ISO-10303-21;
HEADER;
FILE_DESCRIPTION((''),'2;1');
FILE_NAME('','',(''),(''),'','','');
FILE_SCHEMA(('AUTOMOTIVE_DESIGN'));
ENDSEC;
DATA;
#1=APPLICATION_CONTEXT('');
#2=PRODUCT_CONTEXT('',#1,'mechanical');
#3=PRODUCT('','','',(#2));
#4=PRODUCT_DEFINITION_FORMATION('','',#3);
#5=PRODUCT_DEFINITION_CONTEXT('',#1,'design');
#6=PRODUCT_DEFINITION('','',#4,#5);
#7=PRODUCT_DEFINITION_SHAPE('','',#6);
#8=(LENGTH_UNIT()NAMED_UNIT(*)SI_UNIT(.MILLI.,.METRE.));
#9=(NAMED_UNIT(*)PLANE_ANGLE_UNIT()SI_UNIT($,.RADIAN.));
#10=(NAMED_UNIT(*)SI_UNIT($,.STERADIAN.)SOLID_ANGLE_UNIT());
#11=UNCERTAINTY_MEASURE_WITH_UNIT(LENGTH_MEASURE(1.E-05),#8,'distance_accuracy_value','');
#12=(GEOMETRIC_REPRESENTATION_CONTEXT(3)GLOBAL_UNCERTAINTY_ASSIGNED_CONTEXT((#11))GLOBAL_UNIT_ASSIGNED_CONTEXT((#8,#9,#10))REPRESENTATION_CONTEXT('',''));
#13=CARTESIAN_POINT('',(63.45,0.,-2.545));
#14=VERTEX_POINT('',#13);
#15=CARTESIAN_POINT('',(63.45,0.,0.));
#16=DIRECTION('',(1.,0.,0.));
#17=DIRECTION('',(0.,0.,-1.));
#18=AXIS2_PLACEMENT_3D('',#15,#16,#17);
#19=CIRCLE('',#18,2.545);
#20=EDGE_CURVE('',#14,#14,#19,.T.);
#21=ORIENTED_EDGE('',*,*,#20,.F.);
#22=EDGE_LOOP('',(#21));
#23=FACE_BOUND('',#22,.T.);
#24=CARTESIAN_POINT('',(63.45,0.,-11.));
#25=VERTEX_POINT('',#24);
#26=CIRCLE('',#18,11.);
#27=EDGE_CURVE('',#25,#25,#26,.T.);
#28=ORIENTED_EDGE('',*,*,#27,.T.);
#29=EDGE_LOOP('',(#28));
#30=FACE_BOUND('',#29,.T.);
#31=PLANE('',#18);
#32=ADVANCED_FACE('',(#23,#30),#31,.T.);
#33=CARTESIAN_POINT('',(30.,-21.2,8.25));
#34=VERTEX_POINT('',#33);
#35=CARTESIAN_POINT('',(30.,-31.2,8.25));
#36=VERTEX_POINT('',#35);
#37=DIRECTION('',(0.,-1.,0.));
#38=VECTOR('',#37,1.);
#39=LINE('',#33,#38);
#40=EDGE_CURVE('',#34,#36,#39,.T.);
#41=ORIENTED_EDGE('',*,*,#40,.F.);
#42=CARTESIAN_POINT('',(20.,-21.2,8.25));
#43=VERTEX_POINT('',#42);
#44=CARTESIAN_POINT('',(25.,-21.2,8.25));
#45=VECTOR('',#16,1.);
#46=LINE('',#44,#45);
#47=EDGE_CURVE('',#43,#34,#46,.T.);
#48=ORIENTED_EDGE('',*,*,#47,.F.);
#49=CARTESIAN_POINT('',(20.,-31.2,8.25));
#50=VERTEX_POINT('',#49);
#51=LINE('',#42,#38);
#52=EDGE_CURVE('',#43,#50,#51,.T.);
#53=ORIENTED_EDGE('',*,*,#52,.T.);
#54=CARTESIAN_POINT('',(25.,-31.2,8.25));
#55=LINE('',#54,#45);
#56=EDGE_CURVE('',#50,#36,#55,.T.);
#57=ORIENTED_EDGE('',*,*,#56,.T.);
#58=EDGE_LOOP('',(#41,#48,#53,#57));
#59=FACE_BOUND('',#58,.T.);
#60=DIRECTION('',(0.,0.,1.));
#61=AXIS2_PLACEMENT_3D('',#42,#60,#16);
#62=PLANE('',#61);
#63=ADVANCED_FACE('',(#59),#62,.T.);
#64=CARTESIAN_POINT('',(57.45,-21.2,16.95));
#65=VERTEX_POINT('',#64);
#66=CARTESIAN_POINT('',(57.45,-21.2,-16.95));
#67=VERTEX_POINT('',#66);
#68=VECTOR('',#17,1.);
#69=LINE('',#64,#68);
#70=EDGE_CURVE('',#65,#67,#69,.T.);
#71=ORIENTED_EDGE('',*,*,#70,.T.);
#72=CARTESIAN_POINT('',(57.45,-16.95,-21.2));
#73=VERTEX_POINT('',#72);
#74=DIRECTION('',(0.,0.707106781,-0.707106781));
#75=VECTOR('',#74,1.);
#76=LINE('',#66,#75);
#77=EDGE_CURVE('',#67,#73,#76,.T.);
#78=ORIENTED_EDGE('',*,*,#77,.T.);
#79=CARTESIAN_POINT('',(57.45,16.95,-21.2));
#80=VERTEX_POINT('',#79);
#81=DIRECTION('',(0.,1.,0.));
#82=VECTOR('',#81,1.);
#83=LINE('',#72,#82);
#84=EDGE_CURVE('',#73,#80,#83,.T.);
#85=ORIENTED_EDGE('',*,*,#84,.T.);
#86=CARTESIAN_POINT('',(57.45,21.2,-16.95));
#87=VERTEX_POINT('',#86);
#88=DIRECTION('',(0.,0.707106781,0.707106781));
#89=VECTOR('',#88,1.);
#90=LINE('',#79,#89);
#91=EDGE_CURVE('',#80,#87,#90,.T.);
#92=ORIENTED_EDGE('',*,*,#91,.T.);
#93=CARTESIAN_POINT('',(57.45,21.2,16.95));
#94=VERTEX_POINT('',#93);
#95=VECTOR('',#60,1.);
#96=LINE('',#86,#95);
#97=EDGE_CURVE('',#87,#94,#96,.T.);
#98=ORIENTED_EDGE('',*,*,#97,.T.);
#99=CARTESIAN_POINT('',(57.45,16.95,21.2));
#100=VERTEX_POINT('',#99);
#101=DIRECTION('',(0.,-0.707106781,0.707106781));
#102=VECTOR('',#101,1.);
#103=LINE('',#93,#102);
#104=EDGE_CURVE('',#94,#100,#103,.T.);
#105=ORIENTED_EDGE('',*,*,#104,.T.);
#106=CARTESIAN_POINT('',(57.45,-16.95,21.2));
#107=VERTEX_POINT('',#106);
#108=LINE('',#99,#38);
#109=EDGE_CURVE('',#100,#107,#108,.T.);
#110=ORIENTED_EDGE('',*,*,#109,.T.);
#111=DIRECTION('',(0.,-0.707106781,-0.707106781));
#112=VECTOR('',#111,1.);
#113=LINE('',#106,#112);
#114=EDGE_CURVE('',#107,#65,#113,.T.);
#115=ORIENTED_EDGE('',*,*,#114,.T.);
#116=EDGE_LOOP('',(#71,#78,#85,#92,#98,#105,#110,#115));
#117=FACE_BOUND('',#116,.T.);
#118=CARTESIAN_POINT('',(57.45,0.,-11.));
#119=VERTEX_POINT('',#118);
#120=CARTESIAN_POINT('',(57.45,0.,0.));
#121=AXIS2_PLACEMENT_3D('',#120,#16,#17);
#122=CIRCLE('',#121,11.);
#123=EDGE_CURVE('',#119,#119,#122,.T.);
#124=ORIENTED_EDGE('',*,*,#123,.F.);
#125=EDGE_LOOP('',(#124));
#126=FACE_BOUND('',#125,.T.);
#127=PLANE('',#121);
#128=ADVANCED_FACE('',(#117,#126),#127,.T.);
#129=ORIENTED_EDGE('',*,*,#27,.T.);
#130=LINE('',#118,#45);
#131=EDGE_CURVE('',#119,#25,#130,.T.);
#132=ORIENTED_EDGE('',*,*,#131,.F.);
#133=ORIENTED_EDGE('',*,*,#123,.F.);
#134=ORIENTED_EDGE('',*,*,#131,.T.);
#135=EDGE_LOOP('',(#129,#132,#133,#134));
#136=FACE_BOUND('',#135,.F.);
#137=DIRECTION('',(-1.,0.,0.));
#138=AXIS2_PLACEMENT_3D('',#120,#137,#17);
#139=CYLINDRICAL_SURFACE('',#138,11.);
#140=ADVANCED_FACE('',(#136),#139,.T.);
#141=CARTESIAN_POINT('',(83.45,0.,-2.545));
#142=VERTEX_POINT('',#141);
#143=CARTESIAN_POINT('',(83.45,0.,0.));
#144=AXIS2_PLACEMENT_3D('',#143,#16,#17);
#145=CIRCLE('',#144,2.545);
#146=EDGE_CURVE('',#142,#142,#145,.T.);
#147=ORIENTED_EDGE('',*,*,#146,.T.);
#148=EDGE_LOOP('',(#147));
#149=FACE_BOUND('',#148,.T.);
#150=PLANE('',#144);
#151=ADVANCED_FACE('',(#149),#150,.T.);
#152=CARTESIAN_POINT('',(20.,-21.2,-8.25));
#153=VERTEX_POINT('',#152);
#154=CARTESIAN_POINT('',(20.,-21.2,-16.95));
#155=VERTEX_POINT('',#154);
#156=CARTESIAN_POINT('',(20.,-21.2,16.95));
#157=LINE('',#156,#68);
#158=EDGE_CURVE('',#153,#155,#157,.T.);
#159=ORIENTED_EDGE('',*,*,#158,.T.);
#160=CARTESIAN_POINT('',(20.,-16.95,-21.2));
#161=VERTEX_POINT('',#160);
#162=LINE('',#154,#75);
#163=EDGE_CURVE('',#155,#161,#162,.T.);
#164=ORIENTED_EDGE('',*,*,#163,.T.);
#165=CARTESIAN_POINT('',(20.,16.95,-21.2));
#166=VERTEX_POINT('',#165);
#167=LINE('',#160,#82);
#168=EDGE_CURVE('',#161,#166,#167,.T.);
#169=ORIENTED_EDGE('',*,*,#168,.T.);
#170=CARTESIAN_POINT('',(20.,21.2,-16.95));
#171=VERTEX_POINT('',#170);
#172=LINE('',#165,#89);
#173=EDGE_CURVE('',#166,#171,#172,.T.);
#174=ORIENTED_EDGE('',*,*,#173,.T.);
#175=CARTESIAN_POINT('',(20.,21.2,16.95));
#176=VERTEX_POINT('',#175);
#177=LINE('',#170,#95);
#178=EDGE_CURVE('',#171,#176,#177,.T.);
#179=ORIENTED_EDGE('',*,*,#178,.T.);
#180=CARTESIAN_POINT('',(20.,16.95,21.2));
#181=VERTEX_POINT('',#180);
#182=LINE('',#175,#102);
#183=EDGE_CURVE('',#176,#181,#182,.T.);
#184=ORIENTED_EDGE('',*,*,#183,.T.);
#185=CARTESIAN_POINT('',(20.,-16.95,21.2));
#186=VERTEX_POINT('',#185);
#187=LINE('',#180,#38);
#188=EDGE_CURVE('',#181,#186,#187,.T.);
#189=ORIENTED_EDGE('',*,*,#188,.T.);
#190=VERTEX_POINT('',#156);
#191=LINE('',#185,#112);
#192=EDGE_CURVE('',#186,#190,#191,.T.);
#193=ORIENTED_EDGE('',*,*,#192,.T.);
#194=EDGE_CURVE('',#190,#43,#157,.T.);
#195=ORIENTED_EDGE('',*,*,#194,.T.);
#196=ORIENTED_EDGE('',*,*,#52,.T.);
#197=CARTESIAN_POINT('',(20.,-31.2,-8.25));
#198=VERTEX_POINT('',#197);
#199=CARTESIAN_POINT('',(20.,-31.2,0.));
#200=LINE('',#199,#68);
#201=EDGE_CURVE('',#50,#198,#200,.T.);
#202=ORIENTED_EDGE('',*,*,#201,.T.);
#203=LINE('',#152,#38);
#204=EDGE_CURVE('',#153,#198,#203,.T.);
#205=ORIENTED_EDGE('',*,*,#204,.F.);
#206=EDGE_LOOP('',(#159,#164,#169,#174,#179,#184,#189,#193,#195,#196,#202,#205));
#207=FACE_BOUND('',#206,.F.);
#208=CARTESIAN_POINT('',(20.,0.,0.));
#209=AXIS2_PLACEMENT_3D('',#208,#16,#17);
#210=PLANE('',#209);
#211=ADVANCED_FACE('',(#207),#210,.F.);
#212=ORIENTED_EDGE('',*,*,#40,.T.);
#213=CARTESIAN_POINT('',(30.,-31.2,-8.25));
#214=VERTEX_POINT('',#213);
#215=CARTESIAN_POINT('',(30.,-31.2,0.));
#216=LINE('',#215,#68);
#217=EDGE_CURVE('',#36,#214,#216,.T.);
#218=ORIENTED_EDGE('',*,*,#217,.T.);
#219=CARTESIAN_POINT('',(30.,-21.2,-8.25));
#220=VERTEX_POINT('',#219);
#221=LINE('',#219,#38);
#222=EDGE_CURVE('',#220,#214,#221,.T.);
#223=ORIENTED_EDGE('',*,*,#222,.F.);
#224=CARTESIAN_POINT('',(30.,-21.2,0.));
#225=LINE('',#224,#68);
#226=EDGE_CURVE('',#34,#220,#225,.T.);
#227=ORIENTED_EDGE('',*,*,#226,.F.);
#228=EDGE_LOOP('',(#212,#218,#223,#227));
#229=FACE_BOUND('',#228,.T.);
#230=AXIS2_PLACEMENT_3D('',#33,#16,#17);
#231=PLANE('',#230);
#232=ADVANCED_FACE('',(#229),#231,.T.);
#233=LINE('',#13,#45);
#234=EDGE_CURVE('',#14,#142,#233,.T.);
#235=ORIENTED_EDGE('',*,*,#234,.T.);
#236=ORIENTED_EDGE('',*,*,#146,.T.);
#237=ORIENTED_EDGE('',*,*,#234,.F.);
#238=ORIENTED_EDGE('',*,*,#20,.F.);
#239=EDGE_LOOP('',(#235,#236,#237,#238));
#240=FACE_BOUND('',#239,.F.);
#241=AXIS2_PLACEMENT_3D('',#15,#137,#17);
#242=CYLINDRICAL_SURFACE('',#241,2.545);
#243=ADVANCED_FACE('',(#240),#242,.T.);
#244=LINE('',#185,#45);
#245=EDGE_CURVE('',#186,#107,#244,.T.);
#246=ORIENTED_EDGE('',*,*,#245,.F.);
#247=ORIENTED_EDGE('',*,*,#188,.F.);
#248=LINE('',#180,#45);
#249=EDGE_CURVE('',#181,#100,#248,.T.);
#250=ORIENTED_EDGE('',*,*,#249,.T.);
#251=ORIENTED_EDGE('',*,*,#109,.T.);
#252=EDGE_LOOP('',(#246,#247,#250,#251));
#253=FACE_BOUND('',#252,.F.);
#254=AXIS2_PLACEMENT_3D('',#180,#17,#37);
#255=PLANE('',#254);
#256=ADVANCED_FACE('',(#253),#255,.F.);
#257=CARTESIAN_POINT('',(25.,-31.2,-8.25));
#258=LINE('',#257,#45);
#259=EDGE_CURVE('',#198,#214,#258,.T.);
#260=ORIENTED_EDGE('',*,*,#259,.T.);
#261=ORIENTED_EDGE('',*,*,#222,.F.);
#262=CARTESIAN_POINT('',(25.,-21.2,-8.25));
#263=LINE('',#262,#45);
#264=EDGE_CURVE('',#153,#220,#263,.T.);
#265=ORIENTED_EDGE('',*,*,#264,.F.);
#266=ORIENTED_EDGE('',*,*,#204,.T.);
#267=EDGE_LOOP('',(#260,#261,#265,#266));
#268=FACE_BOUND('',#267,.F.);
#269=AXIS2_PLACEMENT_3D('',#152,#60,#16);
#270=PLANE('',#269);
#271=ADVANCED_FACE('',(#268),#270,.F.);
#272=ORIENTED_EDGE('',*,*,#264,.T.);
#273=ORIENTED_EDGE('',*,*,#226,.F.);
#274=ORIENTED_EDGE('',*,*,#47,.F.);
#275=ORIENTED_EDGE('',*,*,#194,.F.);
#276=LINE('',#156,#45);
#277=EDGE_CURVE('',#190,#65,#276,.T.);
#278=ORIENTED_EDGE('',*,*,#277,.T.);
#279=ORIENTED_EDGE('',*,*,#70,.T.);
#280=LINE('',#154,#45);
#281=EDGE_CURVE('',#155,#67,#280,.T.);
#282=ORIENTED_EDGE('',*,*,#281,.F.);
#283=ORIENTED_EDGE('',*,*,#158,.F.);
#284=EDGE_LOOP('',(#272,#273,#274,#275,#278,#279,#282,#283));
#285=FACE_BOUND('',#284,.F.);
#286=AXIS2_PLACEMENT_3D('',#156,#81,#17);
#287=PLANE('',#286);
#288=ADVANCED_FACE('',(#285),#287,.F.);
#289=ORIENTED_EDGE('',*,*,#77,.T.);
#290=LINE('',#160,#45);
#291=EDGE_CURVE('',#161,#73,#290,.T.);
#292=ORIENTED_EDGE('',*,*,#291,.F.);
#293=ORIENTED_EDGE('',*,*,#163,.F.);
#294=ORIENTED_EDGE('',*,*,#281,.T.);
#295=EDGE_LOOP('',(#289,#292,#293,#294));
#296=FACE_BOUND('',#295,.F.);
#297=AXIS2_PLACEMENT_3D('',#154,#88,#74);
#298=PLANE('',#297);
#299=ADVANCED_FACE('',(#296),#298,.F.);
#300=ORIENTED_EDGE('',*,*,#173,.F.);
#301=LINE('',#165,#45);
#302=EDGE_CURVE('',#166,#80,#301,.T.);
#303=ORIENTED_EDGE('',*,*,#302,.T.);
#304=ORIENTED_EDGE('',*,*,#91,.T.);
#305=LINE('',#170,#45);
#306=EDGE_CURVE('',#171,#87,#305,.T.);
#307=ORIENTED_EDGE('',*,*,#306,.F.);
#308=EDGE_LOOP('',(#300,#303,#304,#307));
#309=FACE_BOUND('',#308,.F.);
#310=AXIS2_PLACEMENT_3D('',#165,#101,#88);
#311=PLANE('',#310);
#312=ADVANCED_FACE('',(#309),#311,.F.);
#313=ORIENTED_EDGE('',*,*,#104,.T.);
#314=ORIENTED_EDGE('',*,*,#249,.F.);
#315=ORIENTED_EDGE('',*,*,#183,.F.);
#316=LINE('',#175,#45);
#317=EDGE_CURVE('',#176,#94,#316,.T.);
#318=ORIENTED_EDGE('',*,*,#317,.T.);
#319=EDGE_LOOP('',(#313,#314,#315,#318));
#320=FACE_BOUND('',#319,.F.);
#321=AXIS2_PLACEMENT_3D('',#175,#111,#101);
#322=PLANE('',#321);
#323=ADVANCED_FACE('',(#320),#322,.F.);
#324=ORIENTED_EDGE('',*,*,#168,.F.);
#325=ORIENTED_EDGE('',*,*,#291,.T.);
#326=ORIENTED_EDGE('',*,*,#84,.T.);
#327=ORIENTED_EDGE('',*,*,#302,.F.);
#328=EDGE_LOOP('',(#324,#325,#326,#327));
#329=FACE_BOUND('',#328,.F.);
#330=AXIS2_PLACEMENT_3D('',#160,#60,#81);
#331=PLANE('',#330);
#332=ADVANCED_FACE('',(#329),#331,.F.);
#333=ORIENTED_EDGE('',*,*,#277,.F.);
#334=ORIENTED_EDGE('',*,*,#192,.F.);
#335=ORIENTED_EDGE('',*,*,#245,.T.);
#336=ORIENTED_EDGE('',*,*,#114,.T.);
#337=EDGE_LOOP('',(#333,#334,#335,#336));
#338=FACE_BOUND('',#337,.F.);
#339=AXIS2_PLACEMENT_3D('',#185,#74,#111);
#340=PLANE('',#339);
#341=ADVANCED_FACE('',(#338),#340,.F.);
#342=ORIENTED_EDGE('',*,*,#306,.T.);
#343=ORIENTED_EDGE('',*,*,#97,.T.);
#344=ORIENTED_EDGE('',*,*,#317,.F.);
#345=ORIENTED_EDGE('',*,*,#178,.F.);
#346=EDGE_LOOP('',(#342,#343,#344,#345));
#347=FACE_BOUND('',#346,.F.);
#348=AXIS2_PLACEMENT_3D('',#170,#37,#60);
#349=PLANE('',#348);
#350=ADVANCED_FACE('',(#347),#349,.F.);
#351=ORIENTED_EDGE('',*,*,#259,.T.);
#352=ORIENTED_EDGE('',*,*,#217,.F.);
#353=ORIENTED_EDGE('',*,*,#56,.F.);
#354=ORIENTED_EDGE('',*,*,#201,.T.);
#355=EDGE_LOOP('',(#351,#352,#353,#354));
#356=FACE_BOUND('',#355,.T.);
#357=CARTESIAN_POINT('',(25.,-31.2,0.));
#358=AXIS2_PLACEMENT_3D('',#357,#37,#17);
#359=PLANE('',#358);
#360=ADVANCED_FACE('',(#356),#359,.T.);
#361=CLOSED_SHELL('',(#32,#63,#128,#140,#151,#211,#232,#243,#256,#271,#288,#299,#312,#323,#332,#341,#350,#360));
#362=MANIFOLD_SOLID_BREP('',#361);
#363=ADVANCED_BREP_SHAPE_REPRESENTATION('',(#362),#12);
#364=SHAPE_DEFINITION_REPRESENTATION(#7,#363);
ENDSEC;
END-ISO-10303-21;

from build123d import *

# Parameters (mm, degrees)
PAD007_DEPTH            = 37.45
SKETCH006_W             = 16.5
SKETCH006_H             = 10
PAD006_DEPTH            = 10
SKETCH007_R             = 11
PAD004_DEPTH            = 6
SKETCH004_R             = 2.545
PAD005_DEPTH            = 20
BODY001_PLACEMENT_ANGLE = 90


with BuildPart() as part:
    # Sketch005 → Pad007 (new body)
    with BuildSketch(Plane.XY):
        Polygon((-21.2, 16.95), (-21.2, -16.95), (-16.95, -21.2), (16.95, -21.2), (21.2, -16.95), (21.2, 16.95), (16.95, 21.2), (-16.95, 21.2), align=None)
    extrude(amount=PAD007_DEPTH)

    # Sketch006 (on Face3 of Pad007) → Pad006 (join)
    with BuildSketch(Plane.XZ.offset(21.2)):
        with Locations((0, 5)):
            Rectangle(SKETCH006_W, SKETCH006_H)
    extrude(amount=PAD006_DEPTH)

    # Sketch007 (on Face5 of Pad006) → Pad004 (join)
    with BuildSketch(Plane.XY.offset(37.45)):
        Circle(SKETCH007_R)
    extrude(amount=PAD004_DEPTH)

    # Sketch004 (on Face17 of Pad004) → Pad005 (join)
    with BuildSketch(Plane.XY.offset(43.45)):
        Circle(SKETCH004_R)
    extrude(amount=PAD005_DEPTH)


with BuildPart() as part_1:
    # Body001 placement: moved
    add(part.part.moved(Location((20, 0, 0))).rotate(Axis((20, 0, 0), (0, 1, 0)), BODY001_PLACEMENT_ANGLE))


solid = part_1.part
